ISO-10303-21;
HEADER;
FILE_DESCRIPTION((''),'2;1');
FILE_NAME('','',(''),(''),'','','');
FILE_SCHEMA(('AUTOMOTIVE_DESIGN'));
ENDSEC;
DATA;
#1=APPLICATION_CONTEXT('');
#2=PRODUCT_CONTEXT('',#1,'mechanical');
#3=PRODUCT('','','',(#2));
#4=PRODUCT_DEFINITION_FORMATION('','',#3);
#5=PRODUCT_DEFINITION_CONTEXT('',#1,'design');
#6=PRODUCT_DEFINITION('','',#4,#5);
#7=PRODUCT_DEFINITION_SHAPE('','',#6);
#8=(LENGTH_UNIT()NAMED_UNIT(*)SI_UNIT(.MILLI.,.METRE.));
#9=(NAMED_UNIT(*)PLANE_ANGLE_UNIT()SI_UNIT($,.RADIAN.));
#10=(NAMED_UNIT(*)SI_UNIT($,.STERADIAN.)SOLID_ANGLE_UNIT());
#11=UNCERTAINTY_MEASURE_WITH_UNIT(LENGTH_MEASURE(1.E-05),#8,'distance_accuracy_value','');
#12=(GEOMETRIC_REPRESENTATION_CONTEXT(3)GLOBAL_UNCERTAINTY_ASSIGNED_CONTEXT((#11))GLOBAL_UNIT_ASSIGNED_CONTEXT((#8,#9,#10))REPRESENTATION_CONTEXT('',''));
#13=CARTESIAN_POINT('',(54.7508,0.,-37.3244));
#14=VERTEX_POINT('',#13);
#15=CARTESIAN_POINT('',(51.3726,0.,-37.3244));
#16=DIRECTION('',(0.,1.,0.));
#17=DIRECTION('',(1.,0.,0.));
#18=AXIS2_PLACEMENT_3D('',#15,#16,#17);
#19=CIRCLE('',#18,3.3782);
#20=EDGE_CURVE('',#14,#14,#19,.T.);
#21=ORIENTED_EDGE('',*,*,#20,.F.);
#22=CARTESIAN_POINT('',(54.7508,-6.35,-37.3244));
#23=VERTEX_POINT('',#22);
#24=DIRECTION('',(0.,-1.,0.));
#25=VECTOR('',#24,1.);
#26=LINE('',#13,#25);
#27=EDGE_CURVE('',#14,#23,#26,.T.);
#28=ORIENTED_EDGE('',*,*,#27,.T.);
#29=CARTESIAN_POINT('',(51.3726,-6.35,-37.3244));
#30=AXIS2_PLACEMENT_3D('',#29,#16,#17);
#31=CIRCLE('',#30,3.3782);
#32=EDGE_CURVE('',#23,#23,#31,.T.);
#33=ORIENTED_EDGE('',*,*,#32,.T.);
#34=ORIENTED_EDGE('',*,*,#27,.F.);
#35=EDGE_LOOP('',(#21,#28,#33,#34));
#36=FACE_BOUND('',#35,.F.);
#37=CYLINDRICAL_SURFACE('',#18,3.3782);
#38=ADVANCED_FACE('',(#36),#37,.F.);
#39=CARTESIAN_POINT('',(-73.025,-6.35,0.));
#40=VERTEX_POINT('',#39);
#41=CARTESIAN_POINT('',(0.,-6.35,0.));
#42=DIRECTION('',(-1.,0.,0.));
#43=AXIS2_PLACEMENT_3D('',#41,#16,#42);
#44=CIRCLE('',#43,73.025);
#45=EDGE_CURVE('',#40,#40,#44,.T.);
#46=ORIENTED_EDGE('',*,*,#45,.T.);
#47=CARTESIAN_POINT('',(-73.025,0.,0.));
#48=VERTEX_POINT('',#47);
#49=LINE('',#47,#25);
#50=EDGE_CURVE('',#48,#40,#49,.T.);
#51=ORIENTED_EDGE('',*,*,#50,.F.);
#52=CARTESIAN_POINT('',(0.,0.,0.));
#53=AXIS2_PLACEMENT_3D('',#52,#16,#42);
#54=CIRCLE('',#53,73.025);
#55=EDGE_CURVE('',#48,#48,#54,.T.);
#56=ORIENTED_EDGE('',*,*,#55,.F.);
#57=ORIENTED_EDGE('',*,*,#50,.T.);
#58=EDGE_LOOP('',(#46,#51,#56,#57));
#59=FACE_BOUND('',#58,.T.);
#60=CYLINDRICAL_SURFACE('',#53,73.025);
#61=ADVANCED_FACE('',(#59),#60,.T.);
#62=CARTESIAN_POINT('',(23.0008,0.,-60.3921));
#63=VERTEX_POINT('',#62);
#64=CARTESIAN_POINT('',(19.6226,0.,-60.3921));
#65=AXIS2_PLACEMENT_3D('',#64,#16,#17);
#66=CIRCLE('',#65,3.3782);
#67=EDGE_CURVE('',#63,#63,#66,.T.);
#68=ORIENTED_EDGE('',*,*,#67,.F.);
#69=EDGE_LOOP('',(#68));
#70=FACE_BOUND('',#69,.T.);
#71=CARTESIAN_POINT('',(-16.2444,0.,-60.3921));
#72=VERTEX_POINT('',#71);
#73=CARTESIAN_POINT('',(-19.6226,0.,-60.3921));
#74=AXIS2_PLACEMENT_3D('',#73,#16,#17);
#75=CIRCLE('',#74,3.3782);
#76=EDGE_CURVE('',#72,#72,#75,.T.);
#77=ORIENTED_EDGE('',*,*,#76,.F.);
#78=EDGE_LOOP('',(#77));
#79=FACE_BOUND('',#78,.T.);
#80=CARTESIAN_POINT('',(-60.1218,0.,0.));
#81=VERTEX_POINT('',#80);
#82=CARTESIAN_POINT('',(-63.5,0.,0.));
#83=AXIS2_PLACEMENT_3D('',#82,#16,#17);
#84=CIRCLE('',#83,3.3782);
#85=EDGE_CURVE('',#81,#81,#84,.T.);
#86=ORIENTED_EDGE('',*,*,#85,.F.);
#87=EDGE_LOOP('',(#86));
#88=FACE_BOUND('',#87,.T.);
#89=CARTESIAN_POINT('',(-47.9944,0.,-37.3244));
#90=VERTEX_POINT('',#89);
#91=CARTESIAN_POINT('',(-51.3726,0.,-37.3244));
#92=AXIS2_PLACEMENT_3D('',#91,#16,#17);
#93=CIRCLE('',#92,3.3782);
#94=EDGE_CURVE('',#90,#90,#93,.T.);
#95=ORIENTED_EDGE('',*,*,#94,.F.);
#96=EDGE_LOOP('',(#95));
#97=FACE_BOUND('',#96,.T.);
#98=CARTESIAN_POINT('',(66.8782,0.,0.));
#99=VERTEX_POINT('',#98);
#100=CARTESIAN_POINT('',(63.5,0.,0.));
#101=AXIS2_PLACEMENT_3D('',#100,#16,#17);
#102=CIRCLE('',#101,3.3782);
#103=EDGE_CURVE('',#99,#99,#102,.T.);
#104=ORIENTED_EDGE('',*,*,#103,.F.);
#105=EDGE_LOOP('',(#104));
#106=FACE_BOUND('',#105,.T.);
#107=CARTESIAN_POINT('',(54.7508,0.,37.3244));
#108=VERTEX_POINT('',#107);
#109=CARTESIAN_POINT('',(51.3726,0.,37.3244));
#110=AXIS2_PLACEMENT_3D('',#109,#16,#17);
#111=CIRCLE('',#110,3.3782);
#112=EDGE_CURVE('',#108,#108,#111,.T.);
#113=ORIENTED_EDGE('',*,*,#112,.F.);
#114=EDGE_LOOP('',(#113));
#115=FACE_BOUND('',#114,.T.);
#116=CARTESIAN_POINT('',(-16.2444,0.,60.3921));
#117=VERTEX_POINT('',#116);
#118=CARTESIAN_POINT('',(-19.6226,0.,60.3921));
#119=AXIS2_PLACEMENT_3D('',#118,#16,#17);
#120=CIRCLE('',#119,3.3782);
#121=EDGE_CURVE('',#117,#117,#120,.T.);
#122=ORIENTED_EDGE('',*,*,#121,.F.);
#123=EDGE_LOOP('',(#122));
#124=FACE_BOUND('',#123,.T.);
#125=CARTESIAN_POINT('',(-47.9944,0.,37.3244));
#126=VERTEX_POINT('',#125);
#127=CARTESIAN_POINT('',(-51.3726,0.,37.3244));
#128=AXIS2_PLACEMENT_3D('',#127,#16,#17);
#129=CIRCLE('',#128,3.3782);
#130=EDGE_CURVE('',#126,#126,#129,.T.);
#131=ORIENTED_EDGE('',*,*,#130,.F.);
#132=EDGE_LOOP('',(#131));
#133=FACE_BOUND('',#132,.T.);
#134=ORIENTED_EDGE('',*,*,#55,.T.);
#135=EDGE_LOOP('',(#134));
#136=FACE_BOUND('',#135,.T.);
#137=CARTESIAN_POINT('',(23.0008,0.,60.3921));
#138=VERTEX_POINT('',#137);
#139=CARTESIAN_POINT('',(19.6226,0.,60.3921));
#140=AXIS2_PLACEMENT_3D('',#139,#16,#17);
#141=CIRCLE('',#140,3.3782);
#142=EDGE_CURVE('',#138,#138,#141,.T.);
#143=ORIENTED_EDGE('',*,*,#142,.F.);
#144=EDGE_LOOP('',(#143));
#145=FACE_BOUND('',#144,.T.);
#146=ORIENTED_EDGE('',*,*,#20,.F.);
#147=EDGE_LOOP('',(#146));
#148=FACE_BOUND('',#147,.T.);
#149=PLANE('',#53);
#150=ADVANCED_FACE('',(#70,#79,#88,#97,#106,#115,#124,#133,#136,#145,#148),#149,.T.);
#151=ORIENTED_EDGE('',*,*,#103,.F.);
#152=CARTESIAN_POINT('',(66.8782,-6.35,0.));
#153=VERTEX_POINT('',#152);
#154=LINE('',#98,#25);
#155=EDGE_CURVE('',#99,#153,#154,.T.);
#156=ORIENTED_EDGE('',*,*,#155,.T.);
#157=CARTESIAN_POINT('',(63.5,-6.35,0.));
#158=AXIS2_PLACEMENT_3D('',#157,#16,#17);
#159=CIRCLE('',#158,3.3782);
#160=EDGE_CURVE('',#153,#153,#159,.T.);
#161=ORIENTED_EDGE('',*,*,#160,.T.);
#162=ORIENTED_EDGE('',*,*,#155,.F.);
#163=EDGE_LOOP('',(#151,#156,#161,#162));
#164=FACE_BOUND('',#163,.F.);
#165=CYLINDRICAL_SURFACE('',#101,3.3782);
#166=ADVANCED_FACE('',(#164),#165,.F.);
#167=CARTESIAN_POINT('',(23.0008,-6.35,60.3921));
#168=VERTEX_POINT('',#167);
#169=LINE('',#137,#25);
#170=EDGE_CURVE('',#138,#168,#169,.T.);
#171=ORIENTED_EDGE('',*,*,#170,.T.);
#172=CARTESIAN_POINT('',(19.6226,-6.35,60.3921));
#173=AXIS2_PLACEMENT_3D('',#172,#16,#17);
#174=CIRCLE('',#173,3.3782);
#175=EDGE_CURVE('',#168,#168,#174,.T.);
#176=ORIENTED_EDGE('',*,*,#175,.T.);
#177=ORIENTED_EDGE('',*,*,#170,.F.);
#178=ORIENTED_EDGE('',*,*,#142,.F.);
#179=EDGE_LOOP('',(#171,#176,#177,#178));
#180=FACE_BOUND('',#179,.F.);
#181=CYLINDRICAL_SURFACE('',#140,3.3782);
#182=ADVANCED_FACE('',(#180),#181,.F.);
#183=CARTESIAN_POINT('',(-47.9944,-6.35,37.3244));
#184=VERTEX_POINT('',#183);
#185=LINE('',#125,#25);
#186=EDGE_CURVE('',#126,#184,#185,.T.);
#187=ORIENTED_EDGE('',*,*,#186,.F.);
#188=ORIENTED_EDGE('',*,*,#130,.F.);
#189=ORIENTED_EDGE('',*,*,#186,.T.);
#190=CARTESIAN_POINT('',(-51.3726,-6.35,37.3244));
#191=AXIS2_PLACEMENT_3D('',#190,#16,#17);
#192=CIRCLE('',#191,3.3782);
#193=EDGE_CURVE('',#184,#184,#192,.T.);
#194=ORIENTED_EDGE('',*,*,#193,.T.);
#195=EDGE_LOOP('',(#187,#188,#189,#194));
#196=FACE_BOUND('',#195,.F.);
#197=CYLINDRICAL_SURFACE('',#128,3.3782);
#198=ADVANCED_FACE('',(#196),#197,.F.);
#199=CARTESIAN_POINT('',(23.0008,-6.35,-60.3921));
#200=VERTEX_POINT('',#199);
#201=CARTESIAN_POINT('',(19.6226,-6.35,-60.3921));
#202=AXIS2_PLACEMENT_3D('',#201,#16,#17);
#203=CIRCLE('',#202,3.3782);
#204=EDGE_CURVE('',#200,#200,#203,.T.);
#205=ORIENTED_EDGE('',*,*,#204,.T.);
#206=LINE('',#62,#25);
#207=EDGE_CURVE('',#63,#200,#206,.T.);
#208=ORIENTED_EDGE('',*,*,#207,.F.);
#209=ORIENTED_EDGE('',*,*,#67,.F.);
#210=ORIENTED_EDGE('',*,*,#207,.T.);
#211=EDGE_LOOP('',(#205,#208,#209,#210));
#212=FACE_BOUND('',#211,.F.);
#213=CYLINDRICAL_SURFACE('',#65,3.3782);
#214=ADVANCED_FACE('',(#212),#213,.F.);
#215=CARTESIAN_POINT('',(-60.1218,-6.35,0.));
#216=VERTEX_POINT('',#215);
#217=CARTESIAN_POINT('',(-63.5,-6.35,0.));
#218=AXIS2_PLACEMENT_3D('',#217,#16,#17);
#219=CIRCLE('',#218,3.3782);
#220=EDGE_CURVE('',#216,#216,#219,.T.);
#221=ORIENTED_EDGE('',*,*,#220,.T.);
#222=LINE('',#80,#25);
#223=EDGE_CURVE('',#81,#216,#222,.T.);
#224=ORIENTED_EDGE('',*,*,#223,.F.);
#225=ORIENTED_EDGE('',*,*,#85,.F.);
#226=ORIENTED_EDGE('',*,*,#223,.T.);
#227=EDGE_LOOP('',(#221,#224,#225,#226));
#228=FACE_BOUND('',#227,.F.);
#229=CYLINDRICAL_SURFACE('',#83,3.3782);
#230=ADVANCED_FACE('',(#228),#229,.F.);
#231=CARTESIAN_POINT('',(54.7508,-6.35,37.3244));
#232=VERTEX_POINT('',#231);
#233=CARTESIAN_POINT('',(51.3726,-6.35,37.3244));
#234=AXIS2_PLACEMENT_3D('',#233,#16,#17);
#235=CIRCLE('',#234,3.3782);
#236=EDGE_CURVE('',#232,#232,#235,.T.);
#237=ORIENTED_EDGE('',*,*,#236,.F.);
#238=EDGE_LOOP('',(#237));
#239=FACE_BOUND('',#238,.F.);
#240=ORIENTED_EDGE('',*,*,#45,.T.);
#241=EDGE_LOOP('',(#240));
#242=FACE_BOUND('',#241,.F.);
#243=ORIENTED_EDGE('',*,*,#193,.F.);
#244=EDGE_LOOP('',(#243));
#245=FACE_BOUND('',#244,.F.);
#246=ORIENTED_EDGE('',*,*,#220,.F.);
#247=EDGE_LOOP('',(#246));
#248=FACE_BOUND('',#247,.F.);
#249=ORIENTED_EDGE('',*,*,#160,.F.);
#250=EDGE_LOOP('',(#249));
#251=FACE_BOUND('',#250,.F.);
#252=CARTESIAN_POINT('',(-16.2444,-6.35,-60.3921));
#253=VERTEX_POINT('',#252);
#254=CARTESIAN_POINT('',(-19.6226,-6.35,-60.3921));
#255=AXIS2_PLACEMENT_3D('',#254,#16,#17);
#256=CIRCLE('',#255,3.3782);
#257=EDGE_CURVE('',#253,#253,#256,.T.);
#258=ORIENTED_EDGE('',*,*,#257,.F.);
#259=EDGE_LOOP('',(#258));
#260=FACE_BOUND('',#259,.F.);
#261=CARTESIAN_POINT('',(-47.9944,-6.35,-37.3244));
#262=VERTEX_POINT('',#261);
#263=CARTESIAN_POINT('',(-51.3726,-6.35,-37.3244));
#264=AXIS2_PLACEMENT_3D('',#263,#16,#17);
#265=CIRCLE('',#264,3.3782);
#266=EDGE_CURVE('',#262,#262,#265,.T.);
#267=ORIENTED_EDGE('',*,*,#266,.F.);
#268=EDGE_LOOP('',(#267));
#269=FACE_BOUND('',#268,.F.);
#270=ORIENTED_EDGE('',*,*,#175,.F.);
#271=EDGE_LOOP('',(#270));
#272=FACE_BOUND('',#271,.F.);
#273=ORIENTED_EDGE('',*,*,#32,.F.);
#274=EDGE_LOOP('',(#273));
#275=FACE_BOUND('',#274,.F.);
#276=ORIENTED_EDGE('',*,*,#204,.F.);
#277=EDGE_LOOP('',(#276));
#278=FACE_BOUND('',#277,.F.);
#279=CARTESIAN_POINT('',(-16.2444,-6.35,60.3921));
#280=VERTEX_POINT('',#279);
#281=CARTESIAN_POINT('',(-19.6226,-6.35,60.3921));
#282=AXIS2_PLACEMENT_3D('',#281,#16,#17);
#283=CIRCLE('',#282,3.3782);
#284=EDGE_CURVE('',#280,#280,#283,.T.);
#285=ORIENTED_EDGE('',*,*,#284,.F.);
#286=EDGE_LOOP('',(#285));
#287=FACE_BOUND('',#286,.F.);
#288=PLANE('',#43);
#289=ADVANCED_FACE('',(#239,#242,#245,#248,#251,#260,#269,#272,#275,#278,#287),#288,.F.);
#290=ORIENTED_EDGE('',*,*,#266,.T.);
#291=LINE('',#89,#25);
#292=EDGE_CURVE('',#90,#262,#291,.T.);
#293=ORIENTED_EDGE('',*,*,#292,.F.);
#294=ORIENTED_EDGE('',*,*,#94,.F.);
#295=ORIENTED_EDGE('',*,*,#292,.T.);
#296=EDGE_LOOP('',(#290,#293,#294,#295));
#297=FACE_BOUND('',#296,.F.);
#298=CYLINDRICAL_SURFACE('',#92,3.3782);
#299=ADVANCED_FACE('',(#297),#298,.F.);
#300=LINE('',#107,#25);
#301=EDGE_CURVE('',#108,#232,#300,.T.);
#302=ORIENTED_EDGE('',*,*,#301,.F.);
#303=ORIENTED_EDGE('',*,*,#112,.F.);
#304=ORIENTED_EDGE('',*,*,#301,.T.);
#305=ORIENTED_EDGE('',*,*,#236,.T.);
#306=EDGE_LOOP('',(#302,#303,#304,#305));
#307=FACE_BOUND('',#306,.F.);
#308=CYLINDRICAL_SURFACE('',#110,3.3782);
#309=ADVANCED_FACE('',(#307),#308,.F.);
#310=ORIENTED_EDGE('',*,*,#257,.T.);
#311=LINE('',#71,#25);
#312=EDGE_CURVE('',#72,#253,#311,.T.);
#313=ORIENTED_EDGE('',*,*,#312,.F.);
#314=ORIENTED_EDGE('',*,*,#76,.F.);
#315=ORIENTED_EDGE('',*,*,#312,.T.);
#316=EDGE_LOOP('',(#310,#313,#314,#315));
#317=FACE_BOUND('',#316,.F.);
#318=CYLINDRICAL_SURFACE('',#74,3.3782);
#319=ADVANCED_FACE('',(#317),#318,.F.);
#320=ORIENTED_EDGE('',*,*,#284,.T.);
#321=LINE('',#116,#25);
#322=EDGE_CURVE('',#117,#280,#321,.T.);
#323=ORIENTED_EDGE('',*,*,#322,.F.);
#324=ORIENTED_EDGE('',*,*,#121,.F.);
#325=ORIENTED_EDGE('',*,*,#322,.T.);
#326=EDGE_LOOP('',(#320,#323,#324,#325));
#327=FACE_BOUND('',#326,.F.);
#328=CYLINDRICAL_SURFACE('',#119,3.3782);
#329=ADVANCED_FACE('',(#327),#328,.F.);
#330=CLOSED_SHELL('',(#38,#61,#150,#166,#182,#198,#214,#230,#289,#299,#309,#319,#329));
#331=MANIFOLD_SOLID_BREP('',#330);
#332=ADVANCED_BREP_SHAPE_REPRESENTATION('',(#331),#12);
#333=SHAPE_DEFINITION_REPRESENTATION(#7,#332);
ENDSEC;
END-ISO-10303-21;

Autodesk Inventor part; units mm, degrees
ref_plane "YZ Plane" through (0, 0, 0) normal (1, 0, 0) x (0, 1, 0)
ref_plane "XZ Plane" through (0, 0, 0) normal (0, 1, 0) x (-1, 0, 0)
ref_plane "XY Plane" through (0, 0, 0) normal (0, 0, 1) x (1, 0, 0)
sketch "Sketch1" plane through (0, 0, 0) normal (0, 1, 0) x (-1, 0, 0)
  circle A0 centre (0, 0) radius 73.025
  dimension "d4" = 146.05
extrude "Extrusion1" add sketch "Sketch1" against normal blind 6.35
sketch "Sketch5" plane through (0, 0, 0) normal (0, 1, 0) x (1, 0, 0)
  circle A0 centre (0, 0) radius 63.5 construction
  circle A1 centre (-63.5, 0) radius 3.3782
  circle A2 centre (-51.3726, -37.3244) radius 3.3782
  circle A3 centre (-19.6226, -60.3921) radius 3.3782
  circle A4 centre (19.6226, -60.3921) radius 3.3782
  circle A5 centre (51.3726, -37.3244) radius 3.3782
  circle A6 centre (63.5, 0) radius 3.3782
  circle A7 centre (51.3726, 37.3244) radius 3.3782
  circle A8 centre (19.6226, 60.3921) radius 3.3782
  circle A9 centre (-19.6226, 60.3921) radius 3.3782
  circle A10 centre (-51.3726, 37.3244) radius 3.3782
  dimension "d17" = 127
  dimension "d18" = 6.7564
  dimension "d21" = 360
extrude "Extrusion4" cut sketch "Sketch5" against normal through all
properties part number "SupportPlateForWater" material "PET Plastic"
